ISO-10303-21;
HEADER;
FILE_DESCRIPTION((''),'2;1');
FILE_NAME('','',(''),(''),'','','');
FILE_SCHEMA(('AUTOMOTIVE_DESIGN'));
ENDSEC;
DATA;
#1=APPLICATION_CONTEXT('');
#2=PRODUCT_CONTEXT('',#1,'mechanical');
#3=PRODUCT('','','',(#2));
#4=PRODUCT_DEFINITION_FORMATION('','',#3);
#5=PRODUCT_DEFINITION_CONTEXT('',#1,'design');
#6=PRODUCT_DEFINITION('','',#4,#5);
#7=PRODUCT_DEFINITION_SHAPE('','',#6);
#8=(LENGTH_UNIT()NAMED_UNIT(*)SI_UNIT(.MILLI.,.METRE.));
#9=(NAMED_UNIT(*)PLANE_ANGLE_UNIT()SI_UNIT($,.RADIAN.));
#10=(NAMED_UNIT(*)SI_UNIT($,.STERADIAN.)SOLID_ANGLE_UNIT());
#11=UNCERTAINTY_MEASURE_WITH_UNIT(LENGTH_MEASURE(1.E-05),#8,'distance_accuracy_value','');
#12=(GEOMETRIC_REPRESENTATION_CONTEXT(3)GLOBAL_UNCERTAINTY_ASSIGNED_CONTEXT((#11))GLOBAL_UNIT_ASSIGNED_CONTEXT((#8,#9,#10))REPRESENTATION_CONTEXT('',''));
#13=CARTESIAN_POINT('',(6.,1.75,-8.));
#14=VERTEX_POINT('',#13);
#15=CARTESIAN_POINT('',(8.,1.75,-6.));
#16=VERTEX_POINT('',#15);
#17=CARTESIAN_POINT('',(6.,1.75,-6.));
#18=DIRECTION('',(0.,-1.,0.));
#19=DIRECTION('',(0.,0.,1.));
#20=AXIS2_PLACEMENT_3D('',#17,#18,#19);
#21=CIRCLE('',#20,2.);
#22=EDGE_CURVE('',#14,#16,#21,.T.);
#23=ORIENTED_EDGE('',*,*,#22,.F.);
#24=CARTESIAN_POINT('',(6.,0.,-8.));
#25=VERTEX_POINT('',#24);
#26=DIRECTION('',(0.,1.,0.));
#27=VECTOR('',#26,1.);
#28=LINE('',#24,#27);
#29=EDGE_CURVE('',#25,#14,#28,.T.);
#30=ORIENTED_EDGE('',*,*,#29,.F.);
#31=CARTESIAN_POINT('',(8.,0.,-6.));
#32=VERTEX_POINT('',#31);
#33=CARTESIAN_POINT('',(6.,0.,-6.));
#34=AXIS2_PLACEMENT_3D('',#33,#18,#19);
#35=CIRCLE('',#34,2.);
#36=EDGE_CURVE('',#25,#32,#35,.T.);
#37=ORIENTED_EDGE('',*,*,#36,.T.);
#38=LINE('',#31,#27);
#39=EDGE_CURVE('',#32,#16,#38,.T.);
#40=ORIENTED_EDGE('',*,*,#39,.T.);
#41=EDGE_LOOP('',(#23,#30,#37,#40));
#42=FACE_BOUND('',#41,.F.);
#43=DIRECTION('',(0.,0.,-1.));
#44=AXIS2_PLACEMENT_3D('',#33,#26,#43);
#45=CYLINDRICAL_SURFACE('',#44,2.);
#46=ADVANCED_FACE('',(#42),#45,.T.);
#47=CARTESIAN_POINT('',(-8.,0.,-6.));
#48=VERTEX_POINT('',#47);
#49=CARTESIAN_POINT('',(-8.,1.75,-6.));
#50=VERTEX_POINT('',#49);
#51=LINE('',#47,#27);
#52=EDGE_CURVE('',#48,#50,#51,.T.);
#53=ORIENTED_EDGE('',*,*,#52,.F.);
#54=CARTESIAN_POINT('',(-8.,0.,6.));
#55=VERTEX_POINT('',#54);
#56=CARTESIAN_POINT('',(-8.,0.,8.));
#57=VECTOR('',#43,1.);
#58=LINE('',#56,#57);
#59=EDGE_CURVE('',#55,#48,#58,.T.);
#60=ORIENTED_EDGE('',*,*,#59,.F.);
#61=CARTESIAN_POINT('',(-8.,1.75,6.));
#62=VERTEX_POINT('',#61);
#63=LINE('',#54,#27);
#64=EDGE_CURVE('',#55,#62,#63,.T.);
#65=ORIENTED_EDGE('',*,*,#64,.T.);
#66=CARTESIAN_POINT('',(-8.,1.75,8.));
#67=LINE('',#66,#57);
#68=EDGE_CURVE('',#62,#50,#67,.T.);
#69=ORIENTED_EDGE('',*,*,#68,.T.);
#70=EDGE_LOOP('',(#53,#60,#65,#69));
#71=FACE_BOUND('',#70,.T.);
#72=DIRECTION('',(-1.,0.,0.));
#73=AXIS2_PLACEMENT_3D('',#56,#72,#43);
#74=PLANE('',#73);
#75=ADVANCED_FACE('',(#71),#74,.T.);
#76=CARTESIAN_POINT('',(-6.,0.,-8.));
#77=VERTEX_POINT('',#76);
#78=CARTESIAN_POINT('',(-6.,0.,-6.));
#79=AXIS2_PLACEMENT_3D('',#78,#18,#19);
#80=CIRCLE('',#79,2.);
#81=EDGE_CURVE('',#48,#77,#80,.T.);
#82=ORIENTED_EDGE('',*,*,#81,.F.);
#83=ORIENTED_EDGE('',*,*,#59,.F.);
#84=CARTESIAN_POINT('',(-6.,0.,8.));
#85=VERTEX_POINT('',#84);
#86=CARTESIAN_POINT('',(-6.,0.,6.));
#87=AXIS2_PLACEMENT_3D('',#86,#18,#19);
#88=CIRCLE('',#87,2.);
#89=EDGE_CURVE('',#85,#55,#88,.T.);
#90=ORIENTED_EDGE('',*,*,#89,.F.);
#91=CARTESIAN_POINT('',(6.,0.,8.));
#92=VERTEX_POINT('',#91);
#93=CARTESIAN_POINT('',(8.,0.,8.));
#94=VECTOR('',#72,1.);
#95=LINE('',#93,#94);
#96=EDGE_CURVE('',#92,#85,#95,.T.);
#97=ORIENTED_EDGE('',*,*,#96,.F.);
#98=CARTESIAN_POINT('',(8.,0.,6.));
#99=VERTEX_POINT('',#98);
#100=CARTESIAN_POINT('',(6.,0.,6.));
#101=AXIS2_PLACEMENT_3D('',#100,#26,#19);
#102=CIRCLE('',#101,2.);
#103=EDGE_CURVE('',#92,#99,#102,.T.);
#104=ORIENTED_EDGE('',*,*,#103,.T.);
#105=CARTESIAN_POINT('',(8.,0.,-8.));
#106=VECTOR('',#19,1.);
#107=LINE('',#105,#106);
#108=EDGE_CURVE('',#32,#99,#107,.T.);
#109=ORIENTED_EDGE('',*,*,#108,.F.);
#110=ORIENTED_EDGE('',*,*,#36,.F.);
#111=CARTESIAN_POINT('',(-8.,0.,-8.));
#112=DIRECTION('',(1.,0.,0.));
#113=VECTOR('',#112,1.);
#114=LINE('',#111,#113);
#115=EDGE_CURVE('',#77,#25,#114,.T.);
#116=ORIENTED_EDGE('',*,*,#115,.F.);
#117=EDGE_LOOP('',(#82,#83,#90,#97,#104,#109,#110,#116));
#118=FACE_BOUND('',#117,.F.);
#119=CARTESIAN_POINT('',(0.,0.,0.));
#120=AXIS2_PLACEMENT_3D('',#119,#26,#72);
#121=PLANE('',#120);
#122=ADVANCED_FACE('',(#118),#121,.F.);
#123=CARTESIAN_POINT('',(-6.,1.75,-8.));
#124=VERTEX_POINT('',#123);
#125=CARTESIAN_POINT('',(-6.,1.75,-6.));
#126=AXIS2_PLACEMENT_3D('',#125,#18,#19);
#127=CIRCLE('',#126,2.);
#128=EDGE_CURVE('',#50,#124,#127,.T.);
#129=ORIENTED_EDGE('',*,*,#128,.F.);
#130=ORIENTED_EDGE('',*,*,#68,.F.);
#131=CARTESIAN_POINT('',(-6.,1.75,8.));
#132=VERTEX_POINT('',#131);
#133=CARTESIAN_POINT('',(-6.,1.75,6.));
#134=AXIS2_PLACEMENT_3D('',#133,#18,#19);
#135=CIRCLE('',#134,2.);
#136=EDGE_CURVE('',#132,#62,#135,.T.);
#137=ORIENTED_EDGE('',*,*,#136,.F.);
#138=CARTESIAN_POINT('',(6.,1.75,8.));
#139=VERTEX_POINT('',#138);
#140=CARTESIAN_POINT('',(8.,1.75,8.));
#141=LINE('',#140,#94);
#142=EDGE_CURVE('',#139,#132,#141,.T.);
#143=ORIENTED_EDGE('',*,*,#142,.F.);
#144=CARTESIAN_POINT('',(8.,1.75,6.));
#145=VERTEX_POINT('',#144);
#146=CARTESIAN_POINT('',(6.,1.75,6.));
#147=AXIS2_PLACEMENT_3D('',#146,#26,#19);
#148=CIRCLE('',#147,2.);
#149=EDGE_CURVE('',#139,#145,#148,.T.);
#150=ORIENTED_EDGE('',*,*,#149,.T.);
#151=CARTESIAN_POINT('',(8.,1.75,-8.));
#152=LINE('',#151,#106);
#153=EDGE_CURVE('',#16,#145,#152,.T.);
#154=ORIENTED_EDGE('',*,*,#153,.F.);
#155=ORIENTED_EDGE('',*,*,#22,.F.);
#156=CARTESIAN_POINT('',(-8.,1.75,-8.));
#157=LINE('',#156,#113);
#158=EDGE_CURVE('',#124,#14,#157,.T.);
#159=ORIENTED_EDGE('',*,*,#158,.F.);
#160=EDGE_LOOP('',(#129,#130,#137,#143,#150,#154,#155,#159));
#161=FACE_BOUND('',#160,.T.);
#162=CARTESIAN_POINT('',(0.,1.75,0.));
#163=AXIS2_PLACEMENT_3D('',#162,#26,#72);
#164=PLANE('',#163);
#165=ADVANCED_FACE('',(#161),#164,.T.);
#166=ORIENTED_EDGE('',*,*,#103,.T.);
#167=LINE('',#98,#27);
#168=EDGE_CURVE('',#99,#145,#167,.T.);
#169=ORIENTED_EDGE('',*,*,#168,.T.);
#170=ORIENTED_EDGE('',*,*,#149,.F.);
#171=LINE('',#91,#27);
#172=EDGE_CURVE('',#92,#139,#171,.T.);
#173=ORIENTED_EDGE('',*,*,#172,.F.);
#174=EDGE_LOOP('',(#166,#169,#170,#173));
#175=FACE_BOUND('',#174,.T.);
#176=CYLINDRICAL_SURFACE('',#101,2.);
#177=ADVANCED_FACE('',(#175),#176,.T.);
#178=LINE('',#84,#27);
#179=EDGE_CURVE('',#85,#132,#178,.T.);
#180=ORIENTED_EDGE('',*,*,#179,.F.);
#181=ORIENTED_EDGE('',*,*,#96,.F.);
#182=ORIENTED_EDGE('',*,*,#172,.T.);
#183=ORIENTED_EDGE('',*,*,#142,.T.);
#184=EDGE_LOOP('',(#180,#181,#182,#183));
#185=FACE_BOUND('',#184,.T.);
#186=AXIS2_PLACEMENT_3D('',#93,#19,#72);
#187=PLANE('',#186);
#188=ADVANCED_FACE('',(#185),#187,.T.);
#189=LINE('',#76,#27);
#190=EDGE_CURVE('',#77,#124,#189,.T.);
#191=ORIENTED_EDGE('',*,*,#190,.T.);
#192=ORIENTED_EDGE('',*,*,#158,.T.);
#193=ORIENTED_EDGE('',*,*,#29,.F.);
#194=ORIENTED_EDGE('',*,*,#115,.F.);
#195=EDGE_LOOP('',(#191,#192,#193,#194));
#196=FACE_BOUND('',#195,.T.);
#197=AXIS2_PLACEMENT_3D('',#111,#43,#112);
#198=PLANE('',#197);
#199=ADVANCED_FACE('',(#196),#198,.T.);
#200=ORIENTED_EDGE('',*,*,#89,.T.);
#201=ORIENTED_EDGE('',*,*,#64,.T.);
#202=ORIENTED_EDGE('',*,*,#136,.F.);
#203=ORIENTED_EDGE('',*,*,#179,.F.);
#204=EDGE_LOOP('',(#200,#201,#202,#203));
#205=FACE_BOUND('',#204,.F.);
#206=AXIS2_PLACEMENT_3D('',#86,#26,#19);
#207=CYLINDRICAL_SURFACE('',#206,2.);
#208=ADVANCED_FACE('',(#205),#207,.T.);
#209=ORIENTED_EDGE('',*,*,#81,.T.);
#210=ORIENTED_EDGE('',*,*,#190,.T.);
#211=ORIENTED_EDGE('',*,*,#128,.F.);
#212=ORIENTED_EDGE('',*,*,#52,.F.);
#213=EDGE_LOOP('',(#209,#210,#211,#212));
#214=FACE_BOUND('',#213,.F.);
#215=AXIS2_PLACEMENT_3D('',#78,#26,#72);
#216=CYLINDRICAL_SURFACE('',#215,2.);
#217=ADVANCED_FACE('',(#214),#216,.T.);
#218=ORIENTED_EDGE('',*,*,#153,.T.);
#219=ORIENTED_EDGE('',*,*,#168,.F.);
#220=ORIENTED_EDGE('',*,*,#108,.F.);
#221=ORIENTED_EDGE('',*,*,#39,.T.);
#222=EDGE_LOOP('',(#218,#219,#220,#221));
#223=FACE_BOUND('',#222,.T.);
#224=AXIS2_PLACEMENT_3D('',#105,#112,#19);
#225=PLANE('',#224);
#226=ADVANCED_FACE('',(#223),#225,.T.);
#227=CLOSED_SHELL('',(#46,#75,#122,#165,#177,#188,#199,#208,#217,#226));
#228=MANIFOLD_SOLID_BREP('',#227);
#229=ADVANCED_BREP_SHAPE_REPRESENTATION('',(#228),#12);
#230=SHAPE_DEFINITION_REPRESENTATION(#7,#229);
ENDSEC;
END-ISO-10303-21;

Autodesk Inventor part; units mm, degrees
ref_plane "YZ Plane" through (0, 0, 0) normal (1, 0, 0) x (0, 1, 0)
ref_plane "XZ Plane" through (0, 0, 0) normal (0, 1, 0) x (-1, 0, 0)
ref_plane "XY Plane" through (0, 0, 0) normal (0, 0, 1) x (1, 0, 0)
sketch "Sketch1" plane through (0, 0, 0) normal (0, 1, 0) x (-1, 0, 0)
  line L0 (-8, 8) -> (8, 8)
  line L1 (8, 8) -> (8, -8)
  line L2 (8, -8) -> (-8, -8)
  line L3 (-8, -8) -> (-8, 8)
  line L4 (-8, 8) -> (8, -8) construction
  line L5 (8, 8) -> (-8, -8) construction
  point P0 (0, 0)
  dimension "d0" = 16
  dimension "d1" = 16
extrude "Extrusion1" add sketch "Sketch1" along normal blind 1.75
fillet "Fillet1" radius 2 4 edges at (-8, 0.875, 8) (8, 0.875, 8) (8, 0.875, -8) (-8, 0.875, -8)
sketch "Sketch2" plane through (0, 1.75, 0) normal (0, 1, 0) x (1, 0, 0)
  line L0 (-8, 8) -> (8, 8) construction
  line L1 (8, 8) -> (8, -8) construction
  line L2 (8, -8) -> (-8, -8) construction
  line L3 (-8, -8) -> (-8, 8) construction
  line L4 (6, 8) -> (-6, 8) projected
  line L5 (-8, 6) -> (-8, -6) projected
  line L6 (8, -6) -> (8, 6) projected
  point P0 (0, 0)
decal "Decal1"
properties part number "Heatsink" material "Aluminum 6061"
